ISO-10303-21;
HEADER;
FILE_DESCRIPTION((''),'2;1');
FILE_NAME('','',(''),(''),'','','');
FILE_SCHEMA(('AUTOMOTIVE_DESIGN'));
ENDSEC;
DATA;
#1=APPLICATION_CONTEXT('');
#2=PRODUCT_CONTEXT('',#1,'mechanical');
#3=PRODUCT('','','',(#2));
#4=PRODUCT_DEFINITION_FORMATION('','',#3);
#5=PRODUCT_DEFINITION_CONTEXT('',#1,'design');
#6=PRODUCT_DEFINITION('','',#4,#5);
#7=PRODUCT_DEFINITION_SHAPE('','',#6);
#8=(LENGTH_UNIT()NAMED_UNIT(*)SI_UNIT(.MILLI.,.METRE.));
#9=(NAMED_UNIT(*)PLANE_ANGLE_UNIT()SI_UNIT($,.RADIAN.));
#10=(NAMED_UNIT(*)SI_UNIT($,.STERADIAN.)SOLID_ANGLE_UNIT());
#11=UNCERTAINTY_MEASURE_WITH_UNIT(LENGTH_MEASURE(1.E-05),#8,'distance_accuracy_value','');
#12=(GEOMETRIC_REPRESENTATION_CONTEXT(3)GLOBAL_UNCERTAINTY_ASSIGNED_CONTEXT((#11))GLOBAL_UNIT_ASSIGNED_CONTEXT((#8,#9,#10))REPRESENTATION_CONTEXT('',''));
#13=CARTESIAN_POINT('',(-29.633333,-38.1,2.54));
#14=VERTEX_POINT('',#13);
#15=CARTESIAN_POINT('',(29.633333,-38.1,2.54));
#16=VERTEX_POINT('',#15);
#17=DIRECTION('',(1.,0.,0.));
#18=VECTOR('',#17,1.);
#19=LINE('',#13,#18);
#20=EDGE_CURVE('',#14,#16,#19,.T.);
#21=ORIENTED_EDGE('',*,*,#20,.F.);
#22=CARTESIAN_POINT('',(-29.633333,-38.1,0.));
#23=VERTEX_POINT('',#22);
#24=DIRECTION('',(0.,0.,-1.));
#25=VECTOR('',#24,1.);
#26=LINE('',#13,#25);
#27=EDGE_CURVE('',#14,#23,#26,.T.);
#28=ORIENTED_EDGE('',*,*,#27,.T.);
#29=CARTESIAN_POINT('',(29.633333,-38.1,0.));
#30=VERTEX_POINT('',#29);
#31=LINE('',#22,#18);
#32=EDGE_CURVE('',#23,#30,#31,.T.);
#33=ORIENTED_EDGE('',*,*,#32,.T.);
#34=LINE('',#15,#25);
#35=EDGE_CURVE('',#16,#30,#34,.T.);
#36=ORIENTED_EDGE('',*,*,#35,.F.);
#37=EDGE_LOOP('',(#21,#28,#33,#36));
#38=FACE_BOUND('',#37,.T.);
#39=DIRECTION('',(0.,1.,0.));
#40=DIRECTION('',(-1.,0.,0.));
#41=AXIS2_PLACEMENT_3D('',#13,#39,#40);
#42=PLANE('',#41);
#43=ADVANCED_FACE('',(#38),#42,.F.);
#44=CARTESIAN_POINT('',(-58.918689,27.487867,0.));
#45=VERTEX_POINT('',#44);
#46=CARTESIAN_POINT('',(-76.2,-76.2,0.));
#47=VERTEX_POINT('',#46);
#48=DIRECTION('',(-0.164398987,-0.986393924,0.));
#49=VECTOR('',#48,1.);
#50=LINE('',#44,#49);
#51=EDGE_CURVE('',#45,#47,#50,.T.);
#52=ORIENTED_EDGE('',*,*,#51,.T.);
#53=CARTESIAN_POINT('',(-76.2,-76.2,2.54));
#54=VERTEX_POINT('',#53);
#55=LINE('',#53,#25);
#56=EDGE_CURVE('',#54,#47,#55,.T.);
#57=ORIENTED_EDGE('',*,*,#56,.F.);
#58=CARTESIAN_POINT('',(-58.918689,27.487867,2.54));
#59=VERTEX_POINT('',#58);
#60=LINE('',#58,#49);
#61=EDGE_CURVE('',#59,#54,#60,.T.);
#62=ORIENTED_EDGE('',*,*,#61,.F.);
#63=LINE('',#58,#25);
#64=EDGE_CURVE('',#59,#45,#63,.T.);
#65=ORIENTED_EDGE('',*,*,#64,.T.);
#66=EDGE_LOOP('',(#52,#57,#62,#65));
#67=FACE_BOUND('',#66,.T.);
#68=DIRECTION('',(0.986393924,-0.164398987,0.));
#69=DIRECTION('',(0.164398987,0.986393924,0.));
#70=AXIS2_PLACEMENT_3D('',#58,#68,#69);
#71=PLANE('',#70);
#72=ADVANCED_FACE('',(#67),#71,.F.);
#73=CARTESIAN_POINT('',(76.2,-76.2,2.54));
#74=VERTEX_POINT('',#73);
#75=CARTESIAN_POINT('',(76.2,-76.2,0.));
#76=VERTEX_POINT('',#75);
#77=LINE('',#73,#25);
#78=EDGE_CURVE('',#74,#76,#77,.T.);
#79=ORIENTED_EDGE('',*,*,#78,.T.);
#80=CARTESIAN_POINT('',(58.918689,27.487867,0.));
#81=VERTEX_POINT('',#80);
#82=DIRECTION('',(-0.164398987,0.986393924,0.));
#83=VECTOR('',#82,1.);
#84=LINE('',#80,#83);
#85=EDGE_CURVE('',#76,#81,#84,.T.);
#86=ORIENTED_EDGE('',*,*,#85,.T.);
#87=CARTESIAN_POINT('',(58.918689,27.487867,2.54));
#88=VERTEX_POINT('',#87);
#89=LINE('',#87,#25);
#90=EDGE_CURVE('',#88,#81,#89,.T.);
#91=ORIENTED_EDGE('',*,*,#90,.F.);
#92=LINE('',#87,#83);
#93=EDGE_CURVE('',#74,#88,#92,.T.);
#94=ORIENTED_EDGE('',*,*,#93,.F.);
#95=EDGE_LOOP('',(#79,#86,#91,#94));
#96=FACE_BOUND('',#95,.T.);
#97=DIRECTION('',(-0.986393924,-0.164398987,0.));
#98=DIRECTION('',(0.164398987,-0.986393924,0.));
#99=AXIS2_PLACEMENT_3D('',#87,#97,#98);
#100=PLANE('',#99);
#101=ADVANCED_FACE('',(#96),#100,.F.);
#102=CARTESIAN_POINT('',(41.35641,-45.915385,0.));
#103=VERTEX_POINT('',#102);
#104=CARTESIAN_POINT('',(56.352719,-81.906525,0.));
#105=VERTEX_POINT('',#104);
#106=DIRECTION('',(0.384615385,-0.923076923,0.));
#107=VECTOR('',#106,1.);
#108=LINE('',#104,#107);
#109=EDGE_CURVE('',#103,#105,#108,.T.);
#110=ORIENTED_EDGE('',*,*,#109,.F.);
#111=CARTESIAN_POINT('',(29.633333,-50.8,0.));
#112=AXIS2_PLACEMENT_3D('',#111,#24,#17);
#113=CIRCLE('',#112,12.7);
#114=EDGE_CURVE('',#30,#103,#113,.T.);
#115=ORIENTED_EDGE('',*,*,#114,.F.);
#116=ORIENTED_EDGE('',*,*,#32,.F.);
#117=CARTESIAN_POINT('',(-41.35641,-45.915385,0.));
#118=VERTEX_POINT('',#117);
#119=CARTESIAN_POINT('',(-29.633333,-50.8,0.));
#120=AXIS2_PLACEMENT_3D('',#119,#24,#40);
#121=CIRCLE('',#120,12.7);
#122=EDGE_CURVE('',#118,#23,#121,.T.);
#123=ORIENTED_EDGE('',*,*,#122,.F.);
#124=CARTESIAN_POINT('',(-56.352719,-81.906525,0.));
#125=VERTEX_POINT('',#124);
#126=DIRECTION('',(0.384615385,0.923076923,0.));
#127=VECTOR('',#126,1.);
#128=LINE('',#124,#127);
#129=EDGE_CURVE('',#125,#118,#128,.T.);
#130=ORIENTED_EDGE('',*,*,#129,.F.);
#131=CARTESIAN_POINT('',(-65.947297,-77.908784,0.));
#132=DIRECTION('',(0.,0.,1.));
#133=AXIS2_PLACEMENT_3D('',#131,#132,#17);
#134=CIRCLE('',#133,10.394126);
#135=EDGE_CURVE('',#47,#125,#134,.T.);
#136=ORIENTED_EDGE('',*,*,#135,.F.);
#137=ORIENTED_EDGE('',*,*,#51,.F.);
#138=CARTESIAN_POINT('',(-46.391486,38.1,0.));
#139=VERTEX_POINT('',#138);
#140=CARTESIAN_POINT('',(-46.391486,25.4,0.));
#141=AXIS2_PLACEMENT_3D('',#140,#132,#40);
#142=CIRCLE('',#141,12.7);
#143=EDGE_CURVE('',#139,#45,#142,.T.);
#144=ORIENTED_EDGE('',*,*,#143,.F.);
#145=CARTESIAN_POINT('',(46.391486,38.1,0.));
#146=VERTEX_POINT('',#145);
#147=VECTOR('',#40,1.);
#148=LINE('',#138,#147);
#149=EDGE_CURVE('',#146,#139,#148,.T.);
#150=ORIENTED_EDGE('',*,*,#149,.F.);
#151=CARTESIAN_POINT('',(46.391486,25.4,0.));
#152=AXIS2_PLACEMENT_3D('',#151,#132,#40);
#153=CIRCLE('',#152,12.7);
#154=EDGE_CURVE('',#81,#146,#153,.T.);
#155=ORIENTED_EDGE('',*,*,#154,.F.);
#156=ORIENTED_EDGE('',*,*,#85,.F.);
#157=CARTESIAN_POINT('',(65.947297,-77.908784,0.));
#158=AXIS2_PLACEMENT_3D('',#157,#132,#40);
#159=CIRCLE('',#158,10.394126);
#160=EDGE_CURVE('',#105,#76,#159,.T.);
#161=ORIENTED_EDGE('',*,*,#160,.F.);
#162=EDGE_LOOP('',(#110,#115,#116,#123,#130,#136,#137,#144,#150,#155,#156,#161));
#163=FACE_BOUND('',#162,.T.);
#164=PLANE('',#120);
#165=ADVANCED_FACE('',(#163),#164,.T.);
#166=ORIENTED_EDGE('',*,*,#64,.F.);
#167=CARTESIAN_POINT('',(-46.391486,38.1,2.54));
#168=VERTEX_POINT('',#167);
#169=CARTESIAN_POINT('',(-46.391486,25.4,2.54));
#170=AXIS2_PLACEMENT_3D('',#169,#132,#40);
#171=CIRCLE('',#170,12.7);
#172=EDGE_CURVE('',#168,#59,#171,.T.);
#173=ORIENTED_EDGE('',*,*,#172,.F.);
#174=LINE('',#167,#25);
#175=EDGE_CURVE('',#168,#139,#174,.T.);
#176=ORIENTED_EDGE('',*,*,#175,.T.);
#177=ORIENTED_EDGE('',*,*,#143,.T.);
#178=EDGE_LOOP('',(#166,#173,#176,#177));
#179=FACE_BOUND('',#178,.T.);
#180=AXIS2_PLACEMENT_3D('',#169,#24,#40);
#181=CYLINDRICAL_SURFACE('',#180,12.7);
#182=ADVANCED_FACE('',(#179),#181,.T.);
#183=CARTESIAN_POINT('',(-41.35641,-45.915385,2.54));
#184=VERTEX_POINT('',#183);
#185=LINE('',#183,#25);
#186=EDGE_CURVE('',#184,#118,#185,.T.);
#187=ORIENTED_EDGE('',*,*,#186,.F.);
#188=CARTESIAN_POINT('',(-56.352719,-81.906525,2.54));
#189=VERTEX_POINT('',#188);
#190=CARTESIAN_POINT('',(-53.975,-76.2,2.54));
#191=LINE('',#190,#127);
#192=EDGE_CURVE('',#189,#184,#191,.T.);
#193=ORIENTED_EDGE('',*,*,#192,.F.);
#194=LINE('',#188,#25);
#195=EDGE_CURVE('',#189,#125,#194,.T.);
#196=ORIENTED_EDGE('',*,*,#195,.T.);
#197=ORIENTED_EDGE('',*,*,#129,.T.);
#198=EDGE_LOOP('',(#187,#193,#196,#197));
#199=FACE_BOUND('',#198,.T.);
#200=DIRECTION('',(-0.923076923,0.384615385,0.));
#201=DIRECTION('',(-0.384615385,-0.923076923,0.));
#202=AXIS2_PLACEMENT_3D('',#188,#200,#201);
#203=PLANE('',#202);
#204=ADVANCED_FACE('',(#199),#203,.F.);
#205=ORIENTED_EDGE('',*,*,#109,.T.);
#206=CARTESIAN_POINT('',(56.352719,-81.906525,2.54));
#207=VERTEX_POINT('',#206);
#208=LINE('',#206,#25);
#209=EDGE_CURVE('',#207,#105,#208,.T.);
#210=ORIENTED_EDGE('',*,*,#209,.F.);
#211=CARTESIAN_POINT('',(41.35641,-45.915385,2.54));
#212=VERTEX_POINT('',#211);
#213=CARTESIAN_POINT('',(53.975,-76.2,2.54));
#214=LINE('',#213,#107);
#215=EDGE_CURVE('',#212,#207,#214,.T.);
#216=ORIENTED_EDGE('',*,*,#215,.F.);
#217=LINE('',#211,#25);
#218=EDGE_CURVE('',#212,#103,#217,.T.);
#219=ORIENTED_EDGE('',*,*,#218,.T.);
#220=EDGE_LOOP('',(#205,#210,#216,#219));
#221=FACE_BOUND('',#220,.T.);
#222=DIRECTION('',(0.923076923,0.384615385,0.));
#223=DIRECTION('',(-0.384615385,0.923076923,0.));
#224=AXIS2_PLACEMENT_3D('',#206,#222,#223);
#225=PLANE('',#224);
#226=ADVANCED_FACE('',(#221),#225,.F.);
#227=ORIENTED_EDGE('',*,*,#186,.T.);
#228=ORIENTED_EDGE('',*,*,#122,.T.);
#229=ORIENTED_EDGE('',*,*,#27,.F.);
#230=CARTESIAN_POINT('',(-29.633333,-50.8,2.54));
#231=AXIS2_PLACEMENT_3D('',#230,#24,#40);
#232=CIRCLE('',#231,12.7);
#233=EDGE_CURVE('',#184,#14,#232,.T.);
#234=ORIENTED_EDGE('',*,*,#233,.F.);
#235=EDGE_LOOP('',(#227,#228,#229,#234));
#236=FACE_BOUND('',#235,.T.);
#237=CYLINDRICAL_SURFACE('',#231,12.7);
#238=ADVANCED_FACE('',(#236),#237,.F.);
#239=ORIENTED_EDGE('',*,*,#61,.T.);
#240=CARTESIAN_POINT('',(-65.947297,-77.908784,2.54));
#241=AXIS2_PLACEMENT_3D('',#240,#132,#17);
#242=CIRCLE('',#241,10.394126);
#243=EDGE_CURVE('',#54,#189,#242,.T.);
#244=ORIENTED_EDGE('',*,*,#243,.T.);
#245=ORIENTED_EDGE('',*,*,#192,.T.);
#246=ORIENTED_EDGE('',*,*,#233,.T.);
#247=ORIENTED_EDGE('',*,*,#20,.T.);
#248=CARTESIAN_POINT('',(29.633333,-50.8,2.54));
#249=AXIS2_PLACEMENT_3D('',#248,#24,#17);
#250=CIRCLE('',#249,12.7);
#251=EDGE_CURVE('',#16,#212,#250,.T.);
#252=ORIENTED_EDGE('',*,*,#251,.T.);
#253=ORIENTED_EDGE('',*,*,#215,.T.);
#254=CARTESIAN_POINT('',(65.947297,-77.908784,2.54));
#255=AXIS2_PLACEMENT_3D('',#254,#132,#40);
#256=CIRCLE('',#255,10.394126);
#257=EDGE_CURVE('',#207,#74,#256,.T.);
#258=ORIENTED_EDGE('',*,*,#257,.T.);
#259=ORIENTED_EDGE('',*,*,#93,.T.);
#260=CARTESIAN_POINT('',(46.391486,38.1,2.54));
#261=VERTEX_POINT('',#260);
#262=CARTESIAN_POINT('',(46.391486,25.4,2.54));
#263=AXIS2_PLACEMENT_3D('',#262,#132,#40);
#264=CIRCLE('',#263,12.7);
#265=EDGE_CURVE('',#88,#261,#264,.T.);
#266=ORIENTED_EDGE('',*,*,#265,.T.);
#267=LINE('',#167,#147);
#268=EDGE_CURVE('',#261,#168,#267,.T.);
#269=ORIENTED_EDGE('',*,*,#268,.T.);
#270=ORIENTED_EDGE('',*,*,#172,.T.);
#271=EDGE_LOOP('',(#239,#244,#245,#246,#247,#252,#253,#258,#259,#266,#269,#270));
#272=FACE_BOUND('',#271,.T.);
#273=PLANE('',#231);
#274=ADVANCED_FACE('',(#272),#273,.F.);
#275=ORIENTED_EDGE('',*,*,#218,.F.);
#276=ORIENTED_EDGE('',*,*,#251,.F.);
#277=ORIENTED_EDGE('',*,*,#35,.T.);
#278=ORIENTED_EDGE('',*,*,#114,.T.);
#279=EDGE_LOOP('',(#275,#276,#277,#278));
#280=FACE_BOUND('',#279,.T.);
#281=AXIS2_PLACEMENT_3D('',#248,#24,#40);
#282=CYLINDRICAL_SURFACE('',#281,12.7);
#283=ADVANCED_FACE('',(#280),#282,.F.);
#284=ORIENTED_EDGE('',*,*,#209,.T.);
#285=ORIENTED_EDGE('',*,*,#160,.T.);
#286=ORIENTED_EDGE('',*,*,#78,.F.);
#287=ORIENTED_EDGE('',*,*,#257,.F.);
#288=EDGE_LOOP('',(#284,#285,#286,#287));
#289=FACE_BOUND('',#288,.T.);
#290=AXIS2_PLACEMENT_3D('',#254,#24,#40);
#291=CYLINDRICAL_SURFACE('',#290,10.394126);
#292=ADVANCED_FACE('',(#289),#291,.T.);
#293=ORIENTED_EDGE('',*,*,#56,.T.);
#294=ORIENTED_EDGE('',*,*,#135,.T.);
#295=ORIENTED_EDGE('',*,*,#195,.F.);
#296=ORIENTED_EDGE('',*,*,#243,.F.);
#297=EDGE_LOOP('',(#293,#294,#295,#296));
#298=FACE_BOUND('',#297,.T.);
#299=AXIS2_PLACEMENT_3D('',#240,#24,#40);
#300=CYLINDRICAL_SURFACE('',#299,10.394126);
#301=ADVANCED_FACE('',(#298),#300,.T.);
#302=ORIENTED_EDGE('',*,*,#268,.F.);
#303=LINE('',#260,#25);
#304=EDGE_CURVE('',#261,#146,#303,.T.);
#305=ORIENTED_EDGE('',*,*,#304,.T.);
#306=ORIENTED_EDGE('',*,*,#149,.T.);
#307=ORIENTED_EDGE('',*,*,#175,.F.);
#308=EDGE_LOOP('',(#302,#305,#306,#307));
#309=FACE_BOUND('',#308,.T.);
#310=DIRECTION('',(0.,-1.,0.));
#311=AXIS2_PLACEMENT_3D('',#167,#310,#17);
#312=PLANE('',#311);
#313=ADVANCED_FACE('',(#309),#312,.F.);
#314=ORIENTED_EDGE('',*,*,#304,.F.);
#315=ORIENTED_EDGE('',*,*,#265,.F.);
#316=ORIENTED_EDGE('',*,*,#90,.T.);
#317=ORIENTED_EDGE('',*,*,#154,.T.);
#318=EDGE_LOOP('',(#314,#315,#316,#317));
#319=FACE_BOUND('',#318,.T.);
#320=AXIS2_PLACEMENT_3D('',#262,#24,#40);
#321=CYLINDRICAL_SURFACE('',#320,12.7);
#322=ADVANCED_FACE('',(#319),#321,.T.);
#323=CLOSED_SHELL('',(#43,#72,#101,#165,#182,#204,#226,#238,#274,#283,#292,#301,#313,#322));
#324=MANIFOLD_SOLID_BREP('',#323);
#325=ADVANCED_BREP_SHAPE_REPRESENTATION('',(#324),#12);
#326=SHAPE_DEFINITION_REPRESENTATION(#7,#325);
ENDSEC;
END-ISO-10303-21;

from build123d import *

# Parameters (mm, degrees)
BOSS_EXTRUDE1_DEPTH = 2.54


with BuildPart() as part:
    # Sketch1 → Boss-Extrude1 (new body)
    with BuildSketch(Plane.XY):
        with BuildLine():
            Line((-58.91868881, 27.487867139), (-76.2, -76.2))
            ThreePointArc((-76.2, -76.2), (-68.819471722, -87.89820202), (-56.352718657, -81.906524778))
            Line((-56.352718657, -81.906524778), (-53.975, -76.2))
            Line((-53.975, -76.2), (-41.356410256, -45.915384615))
            ThreePointArc((-41.356410256, -45.915384615), (-36.678025825, -40.232961262), (-29.633333333, -38.1))
            Line((-29.633333333, -38.1), (29.633333333, -38.1))
            ThreePointArc((29.633333333, -38.1), (36.678025825, -40.232961262), (41.356410256, -45.915384615))
            Line((41.356410256, -45.915384615), (53.975, -76.2))
            Line((53.975, -76.2), (56.352718657, -81.906524778))
            ThreePointArc((56.352718657, -81.906524778), (68.819471722, -87.89820202), (76.2, -76.2))
            Line((76.2, -76.2), (58.91868881, 27.487867139))
            ThreePointArc((58.91868881, 27.487867139), (54.600447158, 35.090353777), (46.391485978, 38.1))
            Line((46.391485978, 38.1), (-46.391485978, 38.1))
            ThreePointArc((-46.391485978, 38.1), (-54.600447158, 35.090353777), (-58.91868881, 27.487867139))
        make_face()
    extrude(amount=BOSS_EXTRUDE1_DEPTH)


solid = part.part
